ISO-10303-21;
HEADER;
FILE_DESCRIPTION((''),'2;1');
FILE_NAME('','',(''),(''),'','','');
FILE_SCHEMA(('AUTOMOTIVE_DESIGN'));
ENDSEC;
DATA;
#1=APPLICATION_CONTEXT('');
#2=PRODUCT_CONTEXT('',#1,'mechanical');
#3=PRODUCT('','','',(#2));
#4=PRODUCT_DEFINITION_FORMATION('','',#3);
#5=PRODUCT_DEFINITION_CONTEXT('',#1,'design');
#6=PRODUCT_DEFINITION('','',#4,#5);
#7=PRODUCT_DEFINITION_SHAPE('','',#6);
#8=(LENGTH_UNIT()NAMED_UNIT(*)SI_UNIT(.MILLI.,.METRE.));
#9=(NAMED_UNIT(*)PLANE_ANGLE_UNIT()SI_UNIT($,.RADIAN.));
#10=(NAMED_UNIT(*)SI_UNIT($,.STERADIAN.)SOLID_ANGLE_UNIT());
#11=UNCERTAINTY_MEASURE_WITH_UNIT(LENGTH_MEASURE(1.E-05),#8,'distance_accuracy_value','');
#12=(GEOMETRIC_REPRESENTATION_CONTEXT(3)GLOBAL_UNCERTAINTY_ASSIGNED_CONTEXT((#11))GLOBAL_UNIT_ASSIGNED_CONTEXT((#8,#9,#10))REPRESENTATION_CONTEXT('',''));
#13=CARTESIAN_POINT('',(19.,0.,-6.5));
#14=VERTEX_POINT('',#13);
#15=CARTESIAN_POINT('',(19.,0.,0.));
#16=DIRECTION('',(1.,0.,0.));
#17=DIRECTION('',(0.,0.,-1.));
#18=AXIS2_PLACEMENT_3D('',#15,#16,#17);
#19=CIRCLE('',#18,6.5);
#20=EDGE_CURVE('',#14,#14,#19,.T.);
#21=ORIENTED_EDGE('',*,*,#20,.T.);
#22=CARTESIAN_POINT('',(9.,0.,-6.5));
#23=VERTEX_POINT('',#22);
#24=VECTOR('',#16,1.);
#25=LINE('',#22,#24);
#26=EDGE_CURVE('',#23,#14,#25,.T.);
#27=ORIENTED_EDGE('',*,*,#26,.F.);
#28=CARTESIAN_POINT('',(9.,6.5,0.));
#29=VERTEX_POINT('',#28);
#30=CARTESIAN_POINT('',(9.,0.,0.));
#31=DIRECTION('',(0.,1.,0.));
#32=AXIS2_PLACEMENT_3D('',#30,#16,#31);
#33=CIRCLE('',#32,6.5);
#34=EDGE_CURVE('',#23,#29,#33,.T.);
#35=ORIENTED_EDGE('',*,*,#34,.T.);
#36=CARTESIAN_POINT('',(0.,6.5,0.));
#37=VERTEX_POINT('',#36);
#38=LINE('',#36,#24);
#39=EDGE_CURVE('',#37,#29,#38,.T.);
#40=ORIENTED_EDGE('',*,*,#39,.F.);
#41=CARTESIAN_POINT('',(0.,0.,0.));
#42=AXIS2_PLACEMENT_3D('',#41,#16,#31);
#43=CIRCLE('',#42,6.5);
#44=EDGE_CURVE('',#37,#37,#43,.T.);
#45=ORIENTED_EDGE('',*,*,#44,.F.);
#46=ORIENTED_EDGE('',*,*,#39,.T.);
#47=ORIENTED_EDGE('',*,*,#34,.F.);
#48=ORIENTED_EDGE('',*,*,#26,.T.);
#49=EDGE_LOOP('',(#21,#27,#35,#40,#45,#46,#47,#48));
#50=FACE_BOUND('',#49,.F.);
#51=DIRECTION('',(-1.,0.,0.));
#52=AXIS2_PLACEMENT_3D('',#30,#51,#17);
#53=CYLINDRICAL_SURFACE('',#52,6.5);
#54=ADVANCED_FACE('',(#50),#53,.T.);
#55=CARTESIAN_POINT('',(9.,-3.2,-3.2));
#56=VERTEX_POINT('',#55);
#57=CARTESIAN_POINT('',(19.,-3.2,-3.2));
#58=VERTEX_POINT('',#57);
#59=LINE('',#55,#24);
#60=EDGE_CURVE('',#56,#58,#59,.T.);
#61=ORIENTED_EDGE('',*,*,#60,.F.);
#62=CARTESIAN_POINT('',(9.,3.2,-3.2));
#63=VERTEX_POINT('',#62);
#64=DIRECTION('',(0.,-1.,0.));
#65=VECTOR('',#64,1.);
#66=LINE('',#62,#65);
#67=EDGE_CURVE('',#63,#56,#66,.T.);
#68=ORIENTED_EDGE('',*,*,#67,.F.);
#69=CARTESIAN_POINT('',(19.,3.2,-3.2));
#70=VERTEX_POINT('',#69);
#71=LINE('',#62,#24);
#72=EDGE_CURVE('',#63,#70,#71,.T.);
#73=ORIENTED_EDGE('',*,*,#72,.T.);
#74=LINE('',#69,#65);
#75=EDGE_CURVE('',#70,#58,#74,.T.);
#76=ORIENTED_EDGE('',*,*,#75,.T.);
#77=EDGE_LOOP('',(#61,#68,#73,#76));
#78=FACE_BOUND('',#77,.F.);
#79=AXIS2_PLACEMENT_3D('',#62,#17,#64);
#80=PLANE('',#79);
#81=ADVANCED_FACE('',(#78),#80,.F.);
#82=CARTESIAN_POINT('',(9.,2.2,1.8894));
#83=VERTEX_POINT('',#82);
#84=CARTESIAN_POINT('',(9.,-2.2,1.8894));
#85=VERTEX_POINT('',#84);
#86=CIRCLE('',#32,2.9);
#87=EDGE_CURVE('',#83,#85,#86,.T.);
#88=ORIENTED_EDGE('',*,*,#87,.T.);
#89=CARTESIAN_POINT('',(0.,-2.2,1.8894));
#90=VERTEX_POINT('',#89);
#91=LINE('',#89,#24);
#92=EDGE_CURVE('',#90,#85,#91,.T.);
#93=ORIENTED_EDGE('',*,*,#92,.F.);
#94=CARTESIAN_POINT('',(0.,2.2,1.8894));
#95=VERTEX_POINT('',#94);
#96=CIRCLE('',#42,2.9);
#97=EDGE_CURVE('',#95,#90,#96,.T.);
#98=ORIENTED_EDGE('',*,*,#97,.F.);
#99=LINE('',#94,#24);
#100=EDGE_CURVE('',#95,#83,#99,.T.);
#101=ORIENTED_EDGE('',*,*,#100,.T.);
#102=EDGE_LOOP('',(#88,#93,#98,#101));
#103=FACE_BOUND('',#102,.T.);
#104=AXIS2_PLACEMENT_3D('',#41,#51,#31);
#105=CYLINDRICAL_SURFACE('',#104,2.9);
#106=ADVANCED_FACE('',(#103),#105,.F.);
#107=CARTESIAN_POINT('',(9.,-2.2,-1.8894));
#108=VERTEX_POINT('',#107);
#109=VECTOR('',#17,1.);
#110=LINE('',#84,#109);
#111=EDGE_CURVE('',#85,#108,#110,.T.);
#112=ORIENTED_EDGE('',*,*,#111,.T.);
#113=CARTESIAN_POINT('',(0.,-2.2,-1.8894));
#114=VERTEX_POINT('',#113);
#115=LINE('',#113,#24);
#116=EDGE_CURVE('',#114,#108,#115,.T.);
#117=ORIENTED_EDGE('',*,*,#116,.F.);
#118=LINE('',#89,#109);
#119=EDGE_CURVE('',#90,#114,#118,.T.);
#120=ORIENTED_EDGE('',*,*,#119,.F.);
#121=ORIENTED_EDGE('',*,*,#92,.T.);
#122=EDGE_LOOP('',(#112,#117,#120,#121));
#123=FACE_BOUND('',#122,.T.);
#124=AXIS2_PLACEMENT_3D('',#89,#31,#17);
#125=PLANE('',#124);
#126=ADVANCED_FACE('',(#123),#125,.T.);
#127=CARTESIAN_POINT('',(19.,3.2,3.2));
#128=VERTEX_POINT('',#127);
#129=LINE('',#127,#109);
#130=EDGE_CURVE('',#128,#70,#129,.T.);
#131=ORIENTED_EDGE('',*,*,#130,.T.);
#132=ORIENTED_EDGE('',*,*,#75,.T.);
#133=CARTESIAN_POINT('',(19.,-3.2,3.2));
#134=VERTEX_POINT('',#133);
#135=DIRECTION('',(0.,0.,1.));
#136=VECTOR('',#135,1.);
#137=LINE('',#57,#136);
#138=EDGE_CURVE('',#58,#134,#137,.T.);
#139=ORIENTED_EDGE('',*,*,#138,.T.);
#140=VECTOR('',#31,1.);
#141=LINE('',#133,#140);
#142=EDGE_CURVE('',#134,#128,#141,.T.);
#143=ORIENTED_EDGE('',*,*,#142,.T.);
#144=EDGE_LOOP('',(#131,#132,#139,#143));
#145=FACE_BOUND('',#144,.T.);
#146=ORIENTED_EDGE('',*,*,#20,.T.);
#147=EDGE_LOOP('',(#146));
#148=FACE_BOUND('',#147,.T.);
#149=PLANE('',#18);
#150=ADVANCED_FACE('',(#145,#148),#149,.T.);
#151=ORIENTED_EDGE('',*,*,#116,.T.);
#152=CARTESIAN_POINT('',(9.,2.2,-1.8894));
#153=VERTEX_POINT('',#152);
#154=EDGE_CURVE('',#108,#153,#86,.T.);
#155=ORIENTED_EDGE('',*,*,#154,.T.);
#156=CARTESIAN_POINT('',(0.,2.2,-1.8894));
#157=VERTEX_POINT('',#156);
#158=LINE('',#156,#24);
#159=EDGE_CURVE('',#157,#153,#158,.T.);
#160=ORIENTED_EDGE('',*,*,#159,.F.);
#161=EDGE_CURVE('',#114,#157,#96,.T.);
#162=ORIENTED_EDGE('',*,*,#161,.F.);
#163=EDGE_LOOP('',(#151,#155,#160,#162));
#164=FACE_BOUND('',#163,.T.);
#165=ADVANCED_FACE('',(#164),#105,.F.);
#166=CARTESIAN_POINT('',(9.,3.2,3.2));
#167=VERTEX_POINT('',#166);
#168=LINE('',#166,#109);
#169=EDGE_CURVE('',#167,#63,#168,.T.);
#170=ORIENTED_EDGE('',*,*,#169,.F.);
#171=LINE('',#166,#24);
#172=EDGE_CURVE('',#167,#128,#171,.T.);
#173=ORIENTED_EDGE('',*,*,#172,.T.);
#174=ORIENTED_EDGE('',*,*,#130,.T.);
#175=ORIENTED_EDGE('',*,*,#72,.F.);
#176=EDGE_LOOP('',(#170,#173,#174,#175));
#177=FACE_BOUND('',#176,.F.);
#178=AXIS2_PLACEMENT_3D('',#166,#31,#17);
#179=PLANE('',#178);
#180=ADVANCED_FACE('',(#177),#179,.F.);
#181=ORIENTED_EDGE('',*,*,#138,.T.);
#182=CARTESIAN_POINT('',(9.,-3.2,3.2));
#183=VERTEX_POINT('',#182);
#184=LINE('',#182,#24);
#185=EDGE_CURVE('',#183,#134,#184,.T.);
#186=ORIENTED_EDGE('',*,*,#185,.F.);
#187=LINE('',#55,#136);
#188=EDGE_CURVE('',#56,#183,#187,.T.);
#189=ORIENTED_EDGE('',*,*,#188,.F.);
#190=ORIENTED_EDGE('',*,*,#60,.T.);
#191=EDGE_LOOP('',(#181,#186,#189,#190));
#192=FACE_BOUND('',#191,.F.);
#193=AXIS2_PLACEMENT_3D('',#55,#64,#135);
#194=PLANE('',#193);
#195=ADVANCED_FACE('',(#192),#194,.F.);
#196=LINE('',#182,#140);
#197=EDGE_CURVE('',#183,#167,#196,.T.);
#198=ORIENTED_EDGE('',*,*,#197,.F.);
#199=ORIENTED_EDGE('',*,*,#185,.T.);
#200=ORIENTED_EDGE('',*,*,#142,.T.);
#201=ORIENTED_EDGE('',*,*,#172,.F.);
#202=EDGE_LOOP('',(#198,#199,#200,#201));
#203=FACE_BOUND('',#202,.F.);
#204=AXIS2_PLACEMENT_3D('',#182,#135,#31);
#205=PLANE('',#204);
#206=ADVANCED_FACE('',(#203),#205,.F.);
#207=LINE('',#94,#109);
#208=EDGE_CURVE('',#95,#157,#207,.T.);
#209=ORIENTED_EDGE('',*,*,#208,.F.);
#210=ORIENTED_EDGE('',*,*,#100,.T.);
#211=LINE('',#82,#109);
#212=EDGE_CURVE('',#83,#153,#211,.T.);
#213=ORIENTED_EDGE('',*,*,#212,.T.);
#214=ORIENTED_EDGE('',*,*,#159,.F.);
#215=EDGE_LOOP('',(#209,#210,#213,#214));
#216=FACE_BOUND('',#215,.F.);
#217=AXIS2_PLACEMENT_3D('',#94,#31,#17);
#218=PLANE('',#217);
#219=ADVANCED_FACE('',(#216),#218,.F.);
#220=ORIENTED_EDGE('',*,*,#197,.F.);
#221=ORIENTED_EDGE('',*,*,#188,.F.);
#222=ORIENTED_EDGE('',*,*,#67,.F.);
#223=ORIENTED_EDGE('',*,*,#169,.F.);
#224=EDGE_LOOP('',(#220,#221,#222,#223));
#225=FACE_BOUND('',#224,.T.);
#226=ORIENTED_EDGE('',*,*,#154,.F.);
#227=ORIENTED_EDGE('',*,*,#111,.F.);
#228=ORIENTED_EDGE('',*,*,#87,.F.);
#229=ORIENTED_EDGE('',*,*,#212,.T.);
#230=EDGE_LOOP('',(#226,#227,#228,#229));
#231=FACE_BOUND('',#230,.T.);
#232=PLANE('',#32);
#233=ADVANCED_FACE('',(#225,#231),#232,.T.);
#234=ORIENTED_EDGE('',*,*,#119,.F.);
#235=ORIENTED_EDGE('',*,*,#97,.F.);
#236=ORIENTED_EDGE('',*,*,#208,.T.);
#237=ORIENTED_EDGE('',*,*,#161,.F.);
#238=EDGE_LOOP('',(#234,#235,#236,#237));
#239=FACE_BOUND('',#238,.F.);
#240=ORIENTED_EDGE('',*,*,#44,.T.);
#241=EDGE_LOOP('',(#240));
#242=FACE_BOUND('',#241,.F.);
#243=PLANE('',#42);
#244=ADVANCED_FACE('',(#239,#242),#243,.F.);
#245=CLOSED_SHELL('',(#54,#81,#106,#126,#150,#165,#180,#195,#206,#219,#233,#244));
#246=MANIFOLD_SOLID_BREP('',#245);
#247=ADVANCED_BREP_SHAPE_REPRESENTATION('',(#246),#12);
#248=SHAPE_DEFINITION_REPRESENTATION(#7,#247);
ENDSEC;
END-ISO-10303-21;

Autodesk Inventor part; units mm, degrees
ref_plane "YZ Plane" through (0, 0, 0) normal (1, 0, 0) x (0, 1, 0)
ref_plane "XZ Plane" through (0, 0, 0) normal (0, 1, 0) x (-1, 0, 0)
ref_plane "XY Plane" through (0, 0, 0) normal (0, 0, 1) x (1, 0, 0)
sketch "Boceto1" plane through (0, 0, 0) normal (1, 0, 0) x (0, 1, 0)
  circle A0 centre (0, 0) radius 2.9
  line L0 (2.2, 1.8894) -> (2.2, -1.8894)
  line L1 (-2.2, 1.8894) -> (-2.2, -1.8894)
  circle A1 centre (0, 0) radius 6.5
  dimension "d0" = 5.8
  dimension "d1" = 2.2
  dimension "d2" = 2.2
  dimension "d3" = 13
extrude "Extrusión1" add sketch "Boceto1" along normal blind 9 contours A0 L0 | L1 A0 | A1
sketch "Boceto2" plane through (9, 0, 0) normal (1, 0, 0) x (0, 0, -1)
  circle A0 centre (0, 0) radius 6.5
  line L0 (3.2, -3.2) -> (-3.2, -3.2)
  line L1 (-3.2, -3.2) -> (-3.2, 3.2)
  line L2 (-3.2, 3.2) -> (3.2, 3.2)
  line L3 (3.2, 3.2) -> (3.2, -3.2)
  line L4 (3.2, -3.2) -> (-3.2, 3.2) construction
  line L5 (-3.2, -3.2) -> (3.2, 3.2) construction
  dimension "d6" = 6.4
  dimension "d7" = 6.4
extrude "Extrusión2" add sketch "Boceto2" along normal blind 10
properties part number "Adaptador"
